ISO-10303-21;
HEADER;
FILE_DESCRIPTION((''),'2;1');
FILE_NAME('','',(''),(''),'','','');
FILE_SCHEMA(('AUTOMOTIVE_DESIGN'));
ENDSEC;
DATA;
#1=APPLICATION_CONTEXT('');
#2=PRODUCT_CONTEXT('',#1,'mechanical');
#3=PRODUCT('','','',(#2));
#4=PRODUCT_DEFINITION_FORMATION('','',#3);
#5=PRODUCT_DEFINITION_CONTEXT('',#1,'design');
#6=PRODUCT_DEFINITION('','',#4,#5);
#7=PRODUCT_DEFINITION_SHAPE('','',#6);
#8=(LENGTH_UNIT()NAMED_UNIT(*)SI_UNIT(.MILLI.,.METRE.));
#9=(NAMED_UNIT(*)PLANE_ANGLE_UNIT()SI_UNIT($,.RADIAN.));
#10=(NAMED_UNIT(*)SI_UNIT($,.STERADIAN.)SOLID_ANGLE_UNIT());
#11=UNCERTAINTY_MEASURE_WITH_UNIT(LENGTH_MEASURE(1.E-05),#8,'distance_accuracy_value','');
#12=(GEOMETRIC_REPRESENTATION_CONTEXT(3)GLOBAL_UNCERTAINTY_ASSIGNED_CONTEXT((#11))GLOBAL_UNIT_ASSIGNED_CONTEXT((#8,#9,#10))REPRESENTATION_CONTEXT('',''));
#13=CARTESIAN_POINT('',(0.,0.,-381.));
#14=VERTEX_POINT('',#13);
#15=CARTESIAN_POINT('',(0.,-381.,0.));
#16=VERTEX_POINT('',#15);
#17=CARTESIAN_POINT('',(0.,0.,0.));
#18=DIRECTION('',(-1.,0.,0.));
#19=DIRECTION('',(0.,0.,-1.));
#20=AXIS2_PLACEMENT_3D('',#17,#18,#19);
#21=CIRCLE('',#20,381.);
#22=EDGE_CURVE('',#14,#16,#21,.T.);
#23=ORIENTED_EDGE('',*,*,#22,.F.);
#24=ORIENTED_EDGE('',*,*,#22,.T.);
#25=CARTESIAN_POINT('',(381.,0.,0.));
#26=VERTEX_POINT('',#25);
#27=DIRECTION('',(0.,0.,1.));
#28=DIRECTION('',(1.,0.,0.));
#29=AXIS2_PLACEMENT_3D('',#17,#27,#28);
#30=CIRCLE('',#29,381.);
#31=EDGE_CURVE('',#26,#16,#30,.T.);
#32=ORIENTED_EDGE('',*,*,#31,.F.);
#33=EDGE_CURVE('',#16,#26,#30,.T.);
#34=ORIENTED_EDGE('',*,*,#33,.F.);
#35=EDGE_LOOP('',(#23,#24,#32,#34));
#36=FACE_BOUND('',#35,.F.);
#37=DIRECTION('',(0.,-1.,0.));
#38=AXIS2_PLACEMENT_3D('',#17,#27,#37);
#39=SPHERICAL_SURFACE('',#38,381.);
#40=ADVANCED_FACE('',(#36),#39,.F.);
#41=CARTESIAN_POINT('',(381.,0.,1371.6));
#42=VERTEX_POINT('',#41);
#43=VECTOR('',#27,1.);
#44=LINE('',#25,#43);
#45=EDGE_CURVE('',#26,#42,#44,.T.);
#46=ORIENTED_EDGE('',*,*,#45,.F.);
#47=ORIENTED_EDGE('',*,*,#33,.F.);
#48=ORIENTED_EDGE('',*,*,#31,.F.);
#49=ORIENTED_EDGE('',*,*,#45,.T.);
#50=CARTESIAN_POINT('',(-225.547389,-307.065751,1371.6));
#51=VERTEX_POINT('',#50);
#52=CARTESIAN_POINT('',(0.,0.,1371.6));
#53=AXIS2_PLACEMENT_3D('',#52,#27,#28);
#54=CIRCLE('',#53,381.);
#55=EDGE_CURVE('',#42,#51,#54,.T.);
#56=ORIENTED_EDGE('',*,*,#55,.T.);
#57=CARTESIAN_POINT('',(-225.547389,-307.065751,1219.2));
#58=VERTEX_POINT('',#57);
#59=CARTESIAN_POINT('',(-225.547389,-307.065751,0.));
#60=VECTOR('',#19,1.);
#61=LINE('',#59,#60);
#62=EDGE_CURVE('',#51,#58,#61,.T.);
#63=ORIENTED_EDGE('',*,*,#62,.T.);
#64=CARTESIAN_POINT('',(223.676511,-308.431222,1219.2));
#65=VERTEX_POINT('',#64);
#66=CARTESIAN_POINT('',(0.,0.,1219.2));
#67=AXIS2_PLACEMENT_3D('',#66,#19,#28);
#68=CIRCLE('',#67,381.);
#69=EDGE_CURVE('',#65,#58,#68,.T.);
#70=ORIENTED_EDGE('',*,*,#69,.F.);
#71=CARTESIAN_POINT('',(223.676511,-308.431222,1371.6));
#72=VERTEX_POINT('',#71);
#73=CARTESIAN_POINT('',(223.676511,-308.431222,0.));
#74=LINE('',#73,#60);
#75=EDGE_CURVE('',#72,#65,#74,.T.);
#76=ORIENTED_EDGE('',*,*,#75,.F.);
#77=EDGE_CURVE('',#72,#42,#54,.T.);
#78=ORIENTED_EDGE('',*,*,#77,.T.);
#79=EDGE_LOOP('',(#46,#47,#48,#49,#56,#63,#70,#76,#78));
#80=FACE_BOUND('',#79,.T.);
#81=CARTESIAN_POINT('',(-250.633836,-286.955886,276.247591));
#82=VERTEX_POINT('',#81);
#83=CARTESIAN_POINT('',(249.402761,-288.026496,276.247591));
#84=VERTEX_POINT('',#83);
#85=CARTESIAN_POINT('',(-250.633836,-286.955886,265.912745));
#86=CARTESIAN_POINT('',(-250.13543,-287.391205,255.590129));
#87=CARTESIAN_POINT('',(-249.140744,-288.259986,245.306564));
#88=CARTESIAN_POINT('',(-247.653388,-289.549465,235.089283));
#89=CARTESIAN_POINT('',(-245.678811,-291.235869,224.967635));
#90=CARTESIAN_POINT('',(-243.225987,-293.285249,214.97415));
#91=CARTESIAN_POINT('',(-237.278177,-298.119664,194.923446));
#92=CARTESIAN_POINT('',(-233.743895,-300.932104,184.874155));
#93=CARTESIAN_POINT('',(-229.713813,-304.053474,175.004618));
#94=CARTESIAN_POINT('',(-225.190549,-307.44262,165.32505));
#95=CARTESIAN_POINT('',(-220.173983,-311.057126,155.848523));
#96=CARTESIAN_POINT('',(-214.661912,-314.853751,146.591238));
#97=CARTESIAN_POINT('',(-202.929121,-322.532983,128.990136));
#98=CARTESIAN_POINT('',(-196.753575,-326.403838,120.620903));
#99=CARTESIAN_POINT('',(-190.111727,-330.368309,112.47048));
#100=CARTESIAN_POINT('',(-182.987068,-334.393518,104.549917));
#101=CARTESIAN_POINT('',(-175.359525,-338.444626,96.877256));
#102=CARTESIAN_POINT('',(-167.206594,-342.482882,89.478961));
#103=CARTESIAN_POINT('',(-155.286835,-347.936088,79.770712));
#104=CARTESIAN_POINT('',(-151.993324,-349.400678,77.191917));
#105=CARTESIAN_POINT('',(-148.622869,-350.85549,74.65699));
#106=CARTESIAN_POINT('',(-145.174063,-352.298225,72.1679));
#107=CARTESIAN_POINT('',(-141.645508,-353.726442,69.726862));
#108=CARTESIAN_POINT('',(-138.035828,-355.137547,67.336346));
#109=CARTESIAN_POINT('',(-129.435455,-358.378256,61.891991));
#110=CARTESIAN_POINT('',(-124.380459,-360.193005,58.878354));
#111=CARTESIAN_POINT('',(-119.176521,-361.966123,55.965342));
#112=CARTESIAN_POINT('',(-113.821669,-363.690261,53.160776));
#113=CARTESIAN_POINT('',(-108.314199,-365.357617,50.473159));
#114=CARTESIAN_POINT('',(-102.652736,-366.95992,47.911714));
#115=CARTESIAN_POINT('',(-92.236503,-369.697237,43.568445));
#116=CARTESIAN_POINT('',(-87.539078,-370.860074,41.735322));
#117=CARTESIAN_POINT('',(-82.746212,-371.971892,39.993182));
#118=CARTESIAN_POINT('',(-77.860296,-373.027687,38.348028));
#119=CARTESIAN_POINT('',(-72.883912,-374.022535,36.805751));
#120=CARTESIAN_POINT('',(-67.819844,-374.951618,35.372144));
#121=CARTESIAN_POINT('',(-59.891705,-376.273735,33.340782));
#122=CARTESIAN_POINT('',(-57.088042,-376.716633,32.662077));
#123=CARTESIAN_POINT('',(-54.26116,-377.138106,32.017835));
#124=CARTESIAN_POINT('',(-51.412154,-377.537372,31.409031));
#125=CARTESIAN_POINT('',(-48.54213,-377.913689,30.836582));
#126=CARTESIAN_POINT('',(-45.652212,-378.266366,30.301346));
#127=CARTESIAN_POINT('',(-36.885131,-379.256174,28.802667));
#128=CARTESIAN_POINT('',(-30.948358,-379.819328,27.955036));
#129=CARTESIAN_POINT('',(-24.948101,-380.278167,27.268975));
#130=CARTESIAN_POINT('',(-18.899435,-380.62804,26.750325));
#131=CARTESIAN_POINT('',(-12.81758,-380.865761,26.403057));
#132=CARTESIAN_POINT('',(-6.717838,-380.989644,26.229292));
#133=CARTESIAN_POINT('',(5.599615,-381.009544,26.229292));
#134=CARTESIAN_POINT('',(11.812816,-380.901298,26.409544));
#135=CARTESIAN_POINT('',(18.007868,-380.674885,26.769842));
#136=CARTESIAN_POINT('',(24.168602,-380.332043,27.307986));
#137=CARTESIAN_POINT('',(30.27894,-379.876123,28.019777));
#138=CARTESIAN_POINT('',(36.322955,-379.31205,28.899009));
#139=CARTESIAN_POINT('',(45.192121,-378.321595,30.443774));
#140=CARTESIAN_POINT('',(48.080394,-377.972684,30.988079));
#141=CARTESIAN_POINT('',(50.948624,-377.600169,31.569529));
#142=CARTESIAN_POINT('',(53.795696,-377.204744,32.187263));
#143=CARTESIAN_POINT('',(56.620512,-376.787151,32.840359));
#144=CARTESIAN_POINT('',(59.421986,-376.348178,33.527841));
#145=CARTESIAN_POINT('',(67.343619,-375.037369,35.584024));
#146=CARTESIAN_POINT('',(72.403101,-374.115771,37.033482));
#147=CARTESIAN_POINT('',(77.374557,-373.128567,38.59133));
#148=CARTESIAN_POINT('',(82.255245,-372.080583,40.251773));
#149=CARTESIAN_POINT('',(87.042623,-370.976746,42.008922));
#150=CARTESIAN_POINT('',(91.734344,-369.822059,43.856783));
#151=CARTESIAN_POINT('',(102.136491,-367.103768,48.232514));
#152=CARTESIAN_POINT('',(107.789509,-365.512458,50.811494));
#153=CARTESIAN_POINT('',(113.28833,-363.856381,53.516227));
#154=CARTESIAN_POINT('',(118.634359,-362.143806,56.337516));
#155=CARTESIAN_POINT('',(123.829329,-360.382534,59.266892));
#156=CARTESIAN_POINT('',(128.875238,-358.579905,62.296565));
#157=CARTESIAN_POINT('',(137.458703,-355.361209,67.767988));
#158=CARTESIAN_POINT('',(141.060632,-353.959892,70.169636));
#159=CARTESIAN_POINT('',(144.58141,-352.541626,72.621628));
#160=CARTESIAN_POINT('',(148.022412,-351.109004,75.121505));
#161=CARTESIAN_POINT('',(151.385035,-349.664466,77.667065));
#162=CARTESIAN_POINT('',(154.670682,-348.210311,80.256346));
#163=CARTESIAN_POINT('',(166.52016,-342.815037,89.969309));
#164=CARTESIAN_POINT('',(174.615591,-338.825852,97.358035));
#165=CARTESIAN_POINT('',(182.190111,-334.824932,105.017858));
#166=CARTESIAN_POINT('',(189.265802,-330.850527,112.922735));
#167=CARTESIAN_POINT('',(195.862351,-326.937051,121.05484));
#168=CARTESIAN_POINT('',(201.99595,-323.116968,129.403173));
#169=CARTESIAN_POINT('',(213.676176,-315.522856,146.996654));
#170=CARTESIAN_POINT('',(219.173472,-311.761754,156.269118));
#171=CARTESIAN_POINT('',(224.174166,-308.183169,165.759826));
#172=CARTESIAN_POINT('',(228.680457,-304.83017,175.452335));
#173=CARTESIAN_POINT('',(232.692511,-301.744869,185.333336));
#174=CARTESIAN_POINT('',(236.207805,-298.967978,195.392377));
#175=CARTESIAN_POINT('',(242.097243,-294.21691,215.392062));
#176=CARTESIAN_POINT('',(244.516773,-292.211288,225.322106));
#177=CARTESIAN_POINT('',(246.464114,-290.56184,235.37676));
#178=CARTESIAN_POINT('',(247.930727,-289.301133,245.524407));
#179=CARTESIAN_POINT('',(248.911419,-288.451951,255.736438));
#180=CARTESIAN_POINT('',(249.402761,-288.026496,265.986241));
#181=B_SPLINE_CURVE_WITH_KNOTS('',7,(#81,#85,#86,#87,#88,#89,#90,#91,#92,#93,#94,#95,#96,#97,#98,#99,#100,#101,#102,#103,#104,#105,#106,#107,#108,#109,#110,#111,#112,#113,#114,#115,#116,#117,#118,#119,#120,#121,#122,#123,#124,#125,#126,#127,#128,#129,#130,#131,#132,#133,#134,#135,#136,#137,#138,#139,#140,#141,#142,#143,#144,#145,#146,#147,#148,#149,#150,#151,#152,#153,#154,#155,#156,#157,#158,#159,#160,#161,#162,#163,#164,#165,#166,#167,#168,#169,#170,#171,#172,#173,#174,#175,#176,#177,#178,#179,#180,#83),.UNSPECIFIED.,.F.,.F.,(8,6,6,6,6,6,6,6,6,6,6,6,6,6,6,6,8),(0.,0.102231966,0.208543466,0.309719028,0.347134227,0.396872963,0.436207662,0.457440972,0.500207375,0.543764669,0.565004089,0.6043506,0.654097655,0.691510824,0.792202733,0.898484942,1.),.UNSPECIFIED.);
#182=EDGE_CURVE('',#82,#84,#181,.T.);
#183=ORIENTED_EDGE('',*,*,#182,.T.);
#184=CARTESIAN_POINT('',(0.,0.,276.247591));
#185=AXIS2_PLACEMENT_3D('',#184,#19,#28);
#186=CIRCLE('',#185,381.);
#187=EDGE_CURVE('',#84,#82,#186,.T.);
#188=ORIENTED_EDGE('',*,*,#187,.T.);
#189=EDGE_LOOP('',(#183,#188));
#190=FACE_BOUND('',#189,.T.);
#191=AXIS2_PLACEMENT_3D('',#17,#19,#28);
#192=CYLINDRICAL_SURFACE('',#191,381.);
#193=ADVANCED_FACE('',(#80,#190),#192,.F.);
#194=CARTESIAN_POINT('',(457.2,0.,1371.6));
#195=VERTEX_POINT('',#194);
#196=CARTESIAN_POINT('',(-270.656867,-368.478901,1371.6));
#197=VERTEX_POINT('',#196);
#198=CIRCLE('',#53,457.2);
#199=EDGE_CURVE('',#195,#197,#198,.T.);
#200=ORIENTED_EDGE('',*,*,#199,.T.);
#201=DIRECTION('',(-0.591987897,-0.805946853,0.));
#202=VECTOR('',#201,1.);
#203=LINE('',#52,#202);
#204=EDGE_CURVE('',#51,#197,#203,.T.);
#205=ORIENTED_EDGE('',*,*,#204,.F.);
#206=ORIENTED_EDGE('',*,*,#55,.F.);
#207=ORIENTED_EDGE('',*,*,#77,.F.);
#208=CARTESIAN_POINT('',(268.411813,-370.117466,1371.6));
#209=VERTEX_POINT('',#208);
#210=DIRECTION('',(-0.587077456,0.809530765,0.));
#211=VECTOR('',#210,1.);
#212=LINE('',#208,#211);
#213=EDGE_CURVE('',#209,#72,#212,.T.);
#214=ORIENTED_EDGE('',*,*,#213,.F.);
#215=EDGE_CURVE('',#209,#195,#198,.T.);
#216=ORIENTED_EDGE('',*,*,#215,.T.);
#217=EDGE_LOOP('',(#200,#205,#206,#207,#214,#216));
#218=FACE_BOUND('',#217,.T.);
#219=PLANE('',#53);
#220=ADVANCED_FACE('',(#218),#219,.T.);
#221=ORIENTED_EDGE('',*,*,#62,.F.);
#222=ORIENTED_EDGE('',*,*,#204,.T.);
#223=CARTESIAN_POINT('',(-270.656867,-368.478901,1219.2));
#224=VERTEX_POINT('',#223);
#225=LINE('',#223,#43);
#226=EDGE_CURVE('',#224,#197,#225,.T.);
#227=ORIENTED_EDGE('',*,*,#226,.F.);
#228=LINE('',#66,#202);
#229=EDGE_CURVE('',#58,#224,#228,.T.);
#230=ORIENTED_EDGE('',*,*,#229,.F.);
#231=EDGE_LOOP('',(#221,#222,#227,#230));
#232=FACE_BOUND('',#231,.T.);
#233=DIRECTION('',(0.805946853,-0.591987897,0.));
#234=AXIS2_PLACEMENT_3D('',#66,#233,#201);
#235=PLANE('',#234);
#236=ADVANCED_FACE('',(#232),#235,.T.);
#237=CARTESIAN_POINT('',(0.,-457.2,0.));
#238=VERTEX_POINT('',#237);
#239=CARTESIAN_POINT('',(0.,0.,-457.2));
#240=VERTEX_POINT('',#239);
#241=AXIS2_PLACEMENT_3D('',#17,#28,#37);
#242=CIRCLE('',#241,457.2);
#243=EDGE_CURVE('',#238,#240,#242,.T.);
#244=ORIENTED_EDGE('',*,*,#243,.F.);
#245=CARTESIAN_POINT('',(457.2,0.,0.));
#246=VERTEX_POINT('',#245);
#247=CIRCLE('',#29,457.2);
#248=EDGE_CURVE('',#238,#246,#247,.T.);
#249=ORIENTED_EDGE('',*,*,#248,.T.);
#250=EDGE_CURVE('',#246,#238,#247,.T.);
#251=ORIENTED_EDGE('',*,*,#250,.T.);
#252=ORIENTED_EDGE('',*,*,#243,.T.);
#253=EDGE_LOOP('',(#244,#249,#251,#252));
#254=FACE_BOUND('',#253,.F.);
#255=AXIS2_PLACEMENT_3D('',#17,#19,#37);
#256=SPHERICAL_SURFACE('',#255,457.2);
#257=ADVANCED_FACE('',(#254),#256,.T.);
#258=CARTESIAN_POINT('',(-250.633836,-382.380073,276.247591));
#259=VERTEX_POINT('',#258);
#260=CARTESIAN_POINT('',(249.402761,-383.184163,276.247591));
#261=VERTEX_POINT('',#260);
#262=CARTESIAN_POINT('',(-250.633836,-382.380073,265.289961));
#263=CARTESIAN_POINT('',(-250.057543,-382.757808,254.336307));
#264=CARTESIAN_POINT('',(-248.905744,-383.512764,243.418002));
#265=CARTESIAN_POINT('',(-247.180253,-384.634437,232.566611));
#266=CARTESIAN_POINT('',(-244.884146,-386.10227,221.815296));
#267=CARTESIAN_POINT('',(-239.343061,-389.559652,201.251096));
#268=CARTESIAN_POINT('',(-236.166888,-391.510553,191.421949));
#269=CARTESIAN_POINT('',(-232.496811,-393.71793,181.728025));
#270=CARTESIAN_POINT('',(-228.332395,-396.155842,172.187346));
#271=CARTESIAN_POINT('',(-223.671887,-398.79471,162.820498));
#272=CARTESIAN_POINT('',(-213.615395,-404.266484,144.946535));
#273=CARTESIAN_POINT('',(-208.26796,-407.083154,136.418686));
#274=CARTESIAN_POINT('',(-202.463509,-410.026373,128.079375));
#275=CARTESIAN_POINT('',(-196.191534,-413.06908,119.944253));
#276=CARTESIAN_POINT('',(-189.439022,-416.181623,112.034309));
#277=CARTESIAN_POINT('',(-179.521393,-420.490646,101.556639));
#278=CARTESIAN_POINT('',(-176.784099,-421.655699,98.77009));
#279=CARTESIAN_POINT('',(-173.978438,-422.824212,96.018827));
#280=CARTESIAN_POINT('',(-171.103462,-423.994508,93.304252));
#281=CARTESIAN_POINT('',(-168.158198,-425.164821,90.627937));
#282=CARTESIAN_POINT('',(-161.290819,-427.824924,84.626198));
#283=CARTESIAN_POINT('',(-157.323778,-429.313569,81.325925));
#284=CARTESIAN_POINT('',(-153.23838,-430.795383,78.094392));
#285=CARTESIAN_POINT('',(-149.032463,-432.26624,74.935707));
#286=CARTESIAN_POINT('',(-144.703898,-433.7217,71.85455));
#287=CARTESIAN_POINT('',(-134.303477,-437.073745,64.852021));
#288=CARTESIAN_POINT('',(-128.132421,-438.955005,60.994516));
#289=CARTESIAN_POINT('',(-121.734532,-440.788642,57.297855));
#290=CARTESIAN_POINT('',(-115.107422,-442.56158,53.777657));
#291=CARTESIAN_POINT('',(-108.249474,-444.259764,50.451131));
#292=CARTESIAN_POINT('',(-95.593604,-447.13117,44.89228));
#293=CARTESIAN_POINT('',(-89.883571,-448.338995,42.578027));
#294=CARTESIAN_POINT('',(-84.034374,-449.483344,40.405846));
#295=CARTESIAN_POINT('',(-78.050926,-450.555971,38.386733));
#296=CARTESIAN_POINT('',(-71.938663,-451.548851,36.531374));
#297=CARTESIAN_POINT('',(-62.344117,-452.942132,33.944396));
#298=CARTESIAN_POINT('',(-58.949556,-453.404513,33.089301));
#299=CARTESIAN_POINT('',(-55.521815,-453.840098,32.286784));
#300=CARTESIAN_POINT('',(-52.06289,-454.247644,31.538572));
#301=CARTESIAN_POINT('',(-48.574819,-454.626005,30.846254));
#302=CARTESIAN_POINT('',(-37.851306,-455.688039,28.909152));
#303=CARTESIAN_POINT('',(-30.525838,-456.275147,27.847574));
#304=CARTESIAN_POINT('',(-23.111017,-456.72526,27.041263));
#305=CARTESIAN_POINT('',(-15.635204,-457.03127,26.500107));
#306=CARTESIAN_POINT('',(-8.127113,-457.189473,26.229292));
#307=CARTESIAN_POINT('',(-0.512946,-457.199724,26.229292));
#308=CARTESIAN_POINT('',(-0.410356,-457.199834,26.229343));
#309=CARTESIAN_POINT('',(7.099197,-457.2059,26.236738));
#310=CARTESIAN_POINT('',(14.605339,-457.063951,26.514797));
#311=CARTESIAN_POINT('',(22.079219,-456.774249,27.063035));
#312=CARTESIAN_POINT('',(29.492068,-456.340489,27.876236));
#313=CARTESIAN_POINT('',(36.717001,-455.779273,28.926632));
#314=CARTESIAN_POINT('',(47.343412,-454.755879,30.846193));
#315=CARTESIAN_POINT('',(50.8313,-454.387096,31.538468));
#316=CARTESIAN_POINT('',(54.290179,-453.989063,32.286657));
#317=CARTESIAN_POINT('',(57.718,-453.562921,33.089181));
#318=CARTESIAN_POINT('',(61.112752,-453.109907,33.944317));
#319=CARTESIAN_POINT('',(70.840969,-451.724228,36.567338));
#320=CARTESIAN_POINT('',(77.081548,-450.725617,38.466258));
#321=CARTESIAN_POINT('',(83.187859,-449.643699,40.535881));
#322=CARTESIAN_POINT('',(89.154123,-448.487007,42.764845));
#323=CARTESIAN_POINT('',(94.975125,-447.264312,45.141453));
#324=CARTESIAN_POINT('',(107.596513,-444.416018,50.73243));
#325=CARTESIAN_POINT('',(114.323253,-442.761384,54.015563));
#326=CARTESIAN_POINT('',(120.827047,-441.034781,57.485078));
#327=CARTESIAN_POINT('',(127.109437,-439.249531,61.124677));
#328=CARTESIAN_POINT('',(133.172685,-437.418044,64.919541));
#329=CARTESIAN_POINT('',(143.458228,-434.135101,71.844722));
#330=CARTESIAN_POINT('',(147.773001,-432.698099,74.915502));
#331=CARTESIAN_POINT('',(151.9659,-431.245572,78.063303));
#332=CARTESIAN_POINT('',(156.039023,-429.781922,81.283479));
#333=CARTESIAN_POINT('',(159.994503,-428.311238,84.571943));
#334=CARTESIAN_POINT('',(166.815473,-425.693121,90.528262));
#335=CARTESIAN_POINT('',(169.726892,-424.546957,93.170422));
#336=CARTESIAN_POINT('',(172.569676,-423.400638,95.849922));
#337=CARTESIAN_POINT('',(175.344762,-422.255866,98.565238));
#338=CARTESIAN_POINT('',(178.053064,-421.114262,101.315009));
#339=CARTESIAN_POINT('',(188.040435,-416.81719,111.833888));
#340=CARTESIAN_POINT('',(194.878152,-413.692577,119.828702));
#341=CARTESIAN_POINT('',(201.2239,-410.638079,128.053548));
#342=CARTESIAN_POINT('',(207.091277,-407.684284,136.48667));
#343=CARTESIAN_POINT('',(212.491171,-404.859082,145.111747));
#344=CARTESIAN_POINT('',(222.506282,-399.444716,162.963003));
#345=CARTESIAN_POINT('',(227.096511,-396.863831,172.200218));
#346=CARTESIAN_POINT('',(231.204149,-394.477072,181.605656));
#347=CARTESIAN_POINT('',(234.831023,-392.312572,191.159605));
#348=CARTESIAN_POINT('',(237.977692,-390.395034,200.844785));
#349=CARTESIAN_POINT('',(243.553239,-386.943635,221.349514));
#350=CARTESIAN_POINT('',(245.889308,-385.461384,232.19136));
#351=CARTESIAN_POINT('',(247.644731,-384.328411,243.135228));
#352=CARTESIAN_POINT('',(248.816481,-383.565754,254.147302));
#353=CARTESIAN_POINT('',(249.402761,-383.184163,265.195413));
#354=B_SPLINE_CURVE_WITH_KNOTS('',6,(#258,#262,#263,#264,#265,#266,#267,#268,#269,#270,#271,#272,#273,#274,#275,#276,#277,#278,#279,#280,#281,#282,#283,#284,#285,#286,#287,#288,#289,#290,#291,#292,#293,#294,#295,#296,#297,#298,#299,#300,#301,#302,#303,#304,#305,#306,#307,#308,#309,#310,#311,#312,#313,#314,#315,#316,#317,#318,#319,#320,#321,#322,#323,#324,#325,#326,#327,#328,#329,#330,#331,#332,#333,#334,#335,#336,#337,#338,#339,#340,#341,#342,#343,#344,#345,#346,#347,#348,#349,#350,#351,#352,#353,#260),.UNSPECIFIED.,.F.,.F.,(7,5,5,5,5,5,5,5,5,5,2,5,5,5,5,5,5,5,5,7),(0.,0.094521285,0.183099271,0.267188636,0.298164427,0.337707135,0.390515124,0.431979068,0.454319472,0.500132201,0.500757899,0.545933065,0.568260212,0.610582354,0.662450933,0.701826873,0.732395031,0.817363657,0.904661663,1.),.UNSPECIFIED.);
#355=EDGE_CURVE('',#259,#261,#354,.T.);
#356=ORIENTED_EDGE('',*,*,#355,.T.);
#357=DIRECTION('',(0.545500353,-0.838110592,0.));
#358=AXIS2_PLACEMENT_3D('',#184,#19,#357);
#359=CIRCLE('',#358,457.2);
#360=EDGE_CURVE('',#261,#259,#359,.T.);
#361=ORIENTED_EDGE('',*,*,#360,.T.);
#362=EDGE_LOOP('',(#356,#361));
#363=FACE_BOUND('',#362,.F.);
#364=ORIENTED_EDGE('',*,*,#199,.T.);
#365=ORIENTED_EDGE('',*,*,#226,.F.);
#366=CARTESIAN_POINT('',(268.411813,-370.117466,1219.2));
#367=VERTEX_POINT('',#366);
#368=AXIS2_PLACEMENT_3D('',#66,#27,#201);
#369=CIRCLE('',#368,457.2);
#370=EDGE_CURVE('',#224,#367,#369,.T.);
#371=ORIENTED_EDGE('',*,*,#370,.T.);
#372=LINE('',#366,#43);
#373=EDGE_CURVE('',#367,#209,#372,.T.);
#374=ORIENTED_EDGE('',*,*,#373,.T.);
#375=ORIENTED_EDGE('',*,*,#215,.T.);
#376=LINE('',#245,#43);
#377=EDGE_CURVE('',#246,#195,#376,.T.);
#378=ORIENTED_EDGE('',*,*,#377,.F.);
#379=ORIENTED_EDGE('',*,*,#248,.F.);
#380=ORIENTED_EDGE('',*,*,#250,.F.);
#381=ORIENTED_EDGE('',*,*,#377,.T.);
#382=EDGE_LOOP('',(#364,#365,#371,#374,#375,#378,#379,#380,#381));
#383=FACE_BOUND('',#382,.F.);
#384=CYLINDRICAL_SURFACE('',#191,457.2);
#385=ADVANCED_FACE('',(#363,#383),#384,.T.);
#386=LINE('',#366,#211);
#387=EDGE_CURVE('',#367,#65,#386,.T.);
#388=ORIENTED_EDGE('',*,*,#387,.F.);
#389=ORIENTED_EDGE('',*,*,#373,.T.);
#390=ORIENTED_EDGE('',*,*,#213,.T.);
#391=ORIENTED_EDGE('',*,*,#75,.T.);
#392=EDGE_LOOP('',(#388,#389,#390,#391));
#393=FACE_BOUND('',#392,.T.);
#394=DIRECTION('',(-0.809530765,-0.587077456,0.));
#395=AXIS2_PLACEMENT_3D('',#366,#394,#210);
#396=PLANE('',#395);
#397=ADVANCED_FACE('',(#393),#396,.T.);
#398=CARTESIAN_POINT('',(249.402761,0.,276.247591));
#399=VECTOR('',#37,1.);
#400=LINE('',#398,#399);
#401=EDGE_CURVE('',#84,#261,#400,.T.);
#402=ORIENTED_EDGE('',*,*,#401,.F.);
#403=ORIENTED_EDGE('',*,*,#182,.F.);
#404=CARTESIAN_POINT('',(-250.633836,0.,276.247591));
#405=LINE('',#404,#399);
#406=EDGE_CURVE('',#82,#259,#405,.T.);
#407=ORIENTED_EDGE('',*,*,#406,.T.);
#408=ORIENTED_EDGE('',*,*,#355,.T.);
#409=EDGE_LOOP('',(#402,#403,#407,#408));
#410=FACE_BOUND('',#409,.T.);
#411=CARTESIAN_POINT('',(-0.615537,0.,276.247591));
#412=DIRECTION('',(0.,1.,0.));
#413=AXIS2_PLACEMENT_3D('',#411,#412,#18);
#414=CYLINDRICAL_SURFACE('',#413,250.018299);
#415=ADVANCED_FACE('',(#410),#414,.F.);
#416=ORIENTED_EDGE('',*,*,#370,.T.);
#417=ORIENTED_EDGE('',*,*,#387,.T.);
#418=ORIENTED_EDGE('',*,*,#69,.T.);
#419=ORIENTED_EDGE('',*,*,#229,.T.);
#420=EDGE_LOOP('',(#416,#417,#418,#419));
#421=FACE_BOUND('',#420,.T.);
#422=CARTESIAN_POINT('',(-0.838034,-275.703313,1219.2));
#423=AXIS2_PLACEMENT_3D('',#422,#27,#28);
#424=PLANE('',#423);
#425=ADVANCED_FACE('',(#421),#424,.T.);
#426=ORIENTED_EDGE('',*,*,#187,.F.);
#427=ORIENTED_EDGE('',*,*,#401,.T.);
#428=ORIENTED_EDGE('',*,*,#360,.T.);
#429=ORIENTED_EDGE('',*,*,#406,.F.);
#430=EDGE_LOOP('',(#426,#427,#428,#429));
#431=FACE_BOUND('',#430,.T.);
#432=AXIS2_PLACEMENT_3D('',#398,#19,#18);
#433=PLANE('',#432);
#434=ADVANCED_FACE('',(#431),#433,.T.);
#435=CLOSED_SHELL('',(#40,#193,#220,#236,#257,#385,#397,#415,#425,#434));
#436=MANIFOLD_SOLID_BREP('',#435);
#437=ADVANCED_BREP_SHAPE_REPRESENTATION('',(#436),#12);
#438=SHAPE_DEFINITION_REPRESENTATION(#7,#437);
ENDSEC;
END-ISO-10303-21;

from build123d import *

# Parameters (mm, degrees)
F0_R     = 457.2
F0_R_2   = 381
F1_DEPTH = 1371.6
F5_DEPTH = 457.2
F7_START = 1219.2
F7_DEPTH = 152.4


with BuildPart() as f1:
    # F0 (on Top) → F1 (new body)
    with BuildSketch(Plane.XY):
        Circle(F0_R)
        Circle(F0_R_2, mode=Mode.SUBTRACT)
    extrude(amount=F1_DEPTH)

    # F2 (on Right) → F3 (revolve)
    with BuildSketch(Plane.YZ):
        with BuildLine():
            ThreePointArc((0, -381), (-269.4076836321, -269.4076836321), (-381, 0))
            Line((-381, 0), (-457.2, 0))
            ThreePointArc((-457.2, 0), (-323.2892203585, -323.2892203585), (0, -457.2))
            Line((0, -457.2), (0, -381))
        make_face()
    revolve(axis=Axis((0, 0, -419.1), (0, 0, 1)))

    # F4 (on Front) → F5 (cut)
    with BuildSketch(Plane.XZ):
        with BuildLine():
            ThreePointArc((-250.6338357925, 276.2475907803), (-0.6155371666, 26.2292921543), (249.4027614594, 276.2475907803))
            Line((249.4027614594, 276.2475907803), (-250.6338357925, 276.2475907803))
        make_face()
    extrude(amount=F5_DEPTH, mode=Mode.SUBTRACT)

    # F6 (on Top) → F7 (cut)
    with BuildSketch(Plane.XY.offset(F7_START)):
        with BuildLine():
            Line((268.4118130728, -370.1174659523), (0, 0))
            Line((0, 0), (-270.6568666844, -368.4789010467))
            ThreePointArc((-270.6568666844, -368.4789010467), (-1.3897086627, -457.1978879105), (268.4118130728, -370.1174659523))
        make_face()
    extrude(amount=F7_DEPTH, mode=Mode.SUBTRACT)


solid = f1.part
